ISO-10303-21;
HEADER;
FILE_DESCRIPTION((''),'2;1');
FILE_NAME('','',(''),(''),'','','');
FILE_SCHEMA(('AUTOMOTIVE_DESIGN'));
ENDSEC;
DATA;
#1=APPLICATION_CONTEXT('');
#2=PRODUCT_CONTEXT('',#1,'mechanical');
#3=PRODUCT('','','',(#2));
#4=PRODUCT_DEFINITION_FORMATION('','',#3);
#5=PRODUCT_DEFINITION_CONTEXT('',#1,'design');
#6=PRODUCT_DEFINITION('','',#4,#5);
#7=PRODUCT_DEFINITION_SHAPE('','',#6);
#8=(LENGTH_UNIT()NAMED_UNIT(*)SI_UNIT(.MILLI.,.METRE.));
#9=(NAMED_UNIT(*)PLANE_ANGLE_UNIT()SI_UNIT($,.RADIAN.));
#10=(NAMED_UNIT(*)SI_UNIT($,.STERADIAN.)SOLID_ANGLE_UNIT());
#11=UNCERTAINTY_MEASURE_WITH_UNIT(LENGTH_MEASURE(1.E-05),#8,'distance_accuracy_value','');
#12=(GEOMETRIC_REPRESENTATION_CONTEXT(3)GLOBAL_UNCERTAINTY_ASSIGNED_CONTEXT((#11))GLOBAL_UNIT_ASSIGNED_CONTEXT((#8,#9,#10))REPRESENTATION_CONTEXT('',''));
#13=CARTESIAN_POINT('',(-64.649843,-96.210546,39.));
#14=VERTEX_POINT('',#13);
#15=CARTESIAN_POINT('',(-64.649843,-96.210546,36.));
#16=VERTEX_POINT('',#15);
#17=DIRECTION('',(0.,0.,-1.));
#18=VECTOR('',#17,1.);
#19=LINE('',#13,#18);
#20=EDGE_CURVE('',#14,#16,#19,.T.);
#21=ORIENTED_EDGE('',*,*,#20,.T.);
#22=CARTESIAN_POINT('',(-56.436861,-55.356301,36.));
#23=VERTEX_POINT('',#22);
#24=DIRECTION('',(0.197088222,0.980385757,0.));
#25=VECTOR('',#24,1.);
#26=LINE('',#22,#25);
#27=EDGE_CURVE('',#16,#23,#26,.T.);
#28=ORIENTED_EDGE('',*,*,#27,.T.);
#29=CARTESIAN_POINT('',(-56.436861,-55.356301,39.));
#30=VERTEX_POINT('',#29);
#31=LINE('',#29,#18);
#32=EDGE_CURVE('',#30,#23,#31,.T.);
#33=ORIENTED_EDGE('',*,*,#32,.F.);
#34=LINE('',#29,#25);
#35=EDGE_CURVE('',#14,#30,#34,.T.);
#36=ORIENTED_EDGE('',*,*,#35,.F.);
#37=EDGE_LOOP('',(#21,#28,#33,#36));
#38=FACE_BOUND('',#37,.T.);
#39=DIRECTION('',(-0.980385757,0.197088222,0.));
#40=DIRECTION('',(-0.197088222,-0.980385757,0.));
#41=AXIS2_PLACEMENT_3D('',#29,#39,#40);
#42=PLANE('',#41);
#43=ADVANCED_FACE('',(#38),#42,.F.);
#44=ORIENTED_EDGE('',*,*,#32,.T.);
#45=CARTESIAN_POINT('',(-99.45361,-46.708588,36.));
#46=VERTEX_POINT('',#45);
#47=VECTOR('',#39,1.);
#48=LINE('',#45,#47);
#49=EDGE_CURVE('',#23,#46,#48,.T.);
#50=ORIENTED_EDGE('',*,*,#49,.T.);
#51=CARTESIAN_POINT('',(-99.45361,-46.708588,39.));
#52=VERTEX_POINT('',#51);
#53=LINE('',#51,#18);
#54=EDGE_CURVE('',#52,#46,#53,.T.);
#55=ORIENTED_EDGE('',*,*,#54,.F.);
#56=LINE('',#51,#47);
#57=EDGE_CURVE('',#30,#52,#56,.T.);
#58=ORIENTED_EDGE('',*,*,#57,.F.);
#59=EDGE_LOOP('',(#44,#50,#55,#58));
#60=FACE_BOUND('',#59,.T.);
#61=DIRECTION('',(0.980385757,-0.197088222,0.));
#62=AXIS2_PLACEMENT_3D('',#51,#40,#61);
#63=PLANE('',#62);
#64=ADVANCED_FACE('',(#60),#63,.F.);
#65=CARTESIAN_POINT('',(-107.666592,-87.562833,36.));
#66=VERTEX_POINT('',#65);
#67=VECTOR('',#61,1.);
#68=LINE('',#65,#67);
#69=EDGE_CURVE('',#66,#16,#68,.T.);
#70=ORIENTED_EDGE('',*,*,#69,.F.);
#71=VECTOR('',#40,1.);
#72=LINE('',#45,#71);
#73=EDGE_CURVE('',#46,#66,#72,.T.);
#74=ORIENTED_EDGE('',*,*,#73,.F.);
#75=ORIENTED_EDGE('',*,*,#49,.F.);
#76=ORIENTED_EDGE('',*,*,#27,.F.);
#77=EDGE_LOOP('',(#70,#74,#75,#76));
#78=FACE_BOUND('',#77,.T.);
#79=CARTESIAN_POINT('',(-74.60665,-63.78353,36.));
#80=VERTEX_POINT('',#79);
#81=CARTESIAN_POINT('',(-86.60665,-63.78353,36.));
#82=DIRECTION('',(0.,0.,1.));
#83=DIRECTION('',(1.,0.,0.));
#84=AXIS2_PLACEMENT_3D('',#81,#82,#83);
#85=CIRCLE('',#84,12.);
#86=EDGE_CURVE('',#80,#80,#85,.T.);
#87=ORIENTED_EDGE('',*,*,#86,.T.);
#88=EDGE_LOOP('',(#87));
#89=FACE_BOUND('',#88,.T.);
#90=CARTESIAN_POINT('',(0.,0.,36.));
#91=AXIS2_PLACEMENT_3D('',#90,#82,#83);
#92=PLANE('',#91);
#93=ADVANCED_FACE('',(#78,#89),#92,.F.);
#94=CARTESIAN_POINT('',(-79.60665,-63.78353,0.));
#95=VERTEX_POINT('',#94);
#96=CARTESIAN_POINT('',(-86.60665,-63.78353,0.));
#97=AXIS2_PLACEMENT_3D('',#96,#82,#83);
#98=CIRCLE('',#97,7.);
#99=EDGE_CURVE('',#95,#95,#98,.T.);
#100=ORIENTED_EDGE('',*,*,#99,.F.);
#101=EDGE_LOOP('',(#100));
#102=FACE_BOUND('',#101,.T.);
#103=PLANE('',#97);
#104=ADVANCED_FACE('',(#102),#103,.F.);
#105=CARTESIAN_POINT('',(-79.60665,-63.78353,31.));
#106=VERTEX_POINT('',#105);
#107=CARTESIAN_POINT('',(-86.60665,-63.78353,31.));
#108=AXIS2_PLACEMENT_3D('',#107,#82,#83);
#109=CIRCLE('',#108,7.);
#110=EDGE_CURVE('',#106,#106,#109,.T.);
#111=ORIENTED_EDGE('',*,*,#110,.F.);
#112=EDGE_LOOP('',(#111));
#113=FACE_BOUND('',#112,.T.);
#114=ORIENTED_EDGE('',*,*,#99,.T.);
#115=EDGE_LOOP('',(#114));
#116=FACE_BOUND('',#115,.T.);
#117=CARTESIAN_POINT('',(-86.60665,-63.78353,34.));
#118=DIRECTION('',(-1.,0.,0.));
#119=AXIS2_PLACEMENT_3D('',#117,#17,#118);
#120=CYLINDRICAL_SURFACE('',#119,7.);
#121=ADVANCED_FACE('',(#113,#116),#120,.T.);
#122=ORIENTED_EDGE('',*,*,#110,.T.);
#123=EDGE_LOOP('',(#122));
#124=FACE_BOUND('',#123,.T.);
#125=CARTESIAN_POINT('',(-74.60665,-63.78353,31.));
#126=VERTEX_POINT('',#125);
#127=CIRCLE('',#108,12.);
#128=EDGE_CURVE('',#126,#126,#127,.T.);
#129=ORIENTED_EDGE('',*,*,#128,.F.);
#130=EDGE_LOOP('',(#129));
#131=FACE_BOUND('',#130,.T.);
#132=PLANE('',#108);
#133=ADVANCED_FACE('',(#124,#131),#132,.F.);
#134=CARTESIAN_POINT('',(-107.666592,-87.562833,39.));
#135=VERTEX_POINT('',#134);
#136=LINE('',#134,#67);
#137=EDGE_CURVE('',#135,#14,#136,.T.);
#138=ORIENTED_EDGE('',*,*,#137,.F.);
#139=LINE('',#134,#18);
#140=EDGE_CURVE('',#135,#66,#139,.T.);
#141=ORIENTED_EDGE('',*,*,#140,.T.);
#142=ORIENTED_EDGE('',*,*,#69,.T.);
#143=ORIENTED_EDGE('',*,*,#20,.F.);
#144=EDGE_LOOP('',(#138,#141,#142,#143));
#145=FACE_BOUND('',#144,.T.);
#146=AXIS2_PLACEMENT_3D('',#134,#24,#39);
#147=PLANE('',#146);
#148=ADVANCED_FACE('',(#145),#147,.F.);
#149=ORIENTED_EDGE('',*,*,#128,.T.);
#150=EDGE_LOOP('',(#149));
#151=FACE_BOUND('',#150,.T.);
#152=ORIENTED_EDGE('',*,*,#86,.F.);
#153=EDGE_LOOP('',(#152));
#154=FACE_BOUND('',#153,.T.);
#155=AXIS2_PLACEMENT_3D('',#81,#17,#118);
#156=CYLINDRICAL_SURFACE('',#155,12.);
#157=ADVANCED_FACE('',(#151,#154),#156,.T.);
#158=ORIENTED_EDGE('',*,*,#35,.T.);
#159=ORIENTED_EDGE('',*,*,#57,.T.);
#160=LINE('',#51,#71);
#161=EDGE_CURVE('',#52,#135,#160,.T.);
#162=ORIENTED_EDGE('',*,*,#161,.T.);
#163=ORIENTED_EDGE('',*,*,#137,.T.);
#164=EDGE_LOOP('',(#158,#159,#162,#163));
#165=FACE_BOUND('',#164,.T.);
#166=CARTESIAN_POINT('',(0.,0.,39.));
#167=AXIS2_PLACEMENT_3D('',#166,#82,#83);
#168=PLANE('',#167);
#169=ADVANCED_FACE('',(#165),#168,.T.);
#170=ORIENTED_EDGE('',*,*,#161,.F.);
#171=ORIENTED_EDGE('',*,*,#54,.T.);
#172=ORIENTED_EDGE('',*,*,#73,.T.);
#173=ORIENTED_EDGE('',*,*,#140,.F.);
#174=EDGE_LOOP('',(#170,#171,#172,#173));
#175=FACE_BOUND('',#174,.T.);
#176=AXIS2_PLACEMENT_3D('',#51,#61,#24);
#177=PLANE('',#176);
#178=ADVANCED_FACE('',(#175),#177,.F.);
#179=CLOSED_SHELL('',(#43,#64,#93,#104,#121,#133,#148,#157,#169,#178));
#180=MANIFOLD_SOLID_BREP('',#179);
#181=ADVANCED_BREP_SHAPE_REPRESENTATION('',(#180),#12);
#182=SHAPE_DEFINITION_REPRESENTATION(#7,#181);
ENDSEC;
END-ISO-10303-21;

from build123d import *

# Parameters (mm, degrees)
SKETCH_1_R           = 7
EXTRUDE_1_DEPTH      = 34
EXTRUDE_2_DEPTH      = 2
EXTRUDE_2_DEPTH_BACK = 3
SKETCH_2_R           = 12
EXTRUDE_4_DEPTH      = 3


with BuildPart() as part:
    # 草图1 → 凸台-拉伸1 (new body)
    with BuildSketch(Plane.XY):
        with Locations((-86.606649797, -63.783530386)):
            Circle(SKETCH_1_R)
    extrude(amount=EXTRUDE_1_DEPTH)

    # 草图2 → 凸台-拉伸2 (add, two sides: drawn at the far end of the back side and taken through both)
    with BuildSketch(Plane.XY.offset(34).offset(-EXTRUDE_2_DEPTH_BACK)):
        with Locations((-86.606649797, -63.783530386)):
            Circle(SKETCH_2_R)
    extrude(amount=EXTRUDE_2_DEPTH + EXTRUDE_2_DEPTH_BACK)

    # 草图3 → 凸台-拉伸4 (add)
    with BuildSketch(Plane.XY.offset(36)):
        Polygon((-99.453609906, -46.708587879), (-56.43686088, -55.3563008), (-64.649842886, -96.21054618), (-107.666591911, -87.562833258), align=None)
    extrude(amount=EXTRUDE_4_DEPTH)


solid = part.part
